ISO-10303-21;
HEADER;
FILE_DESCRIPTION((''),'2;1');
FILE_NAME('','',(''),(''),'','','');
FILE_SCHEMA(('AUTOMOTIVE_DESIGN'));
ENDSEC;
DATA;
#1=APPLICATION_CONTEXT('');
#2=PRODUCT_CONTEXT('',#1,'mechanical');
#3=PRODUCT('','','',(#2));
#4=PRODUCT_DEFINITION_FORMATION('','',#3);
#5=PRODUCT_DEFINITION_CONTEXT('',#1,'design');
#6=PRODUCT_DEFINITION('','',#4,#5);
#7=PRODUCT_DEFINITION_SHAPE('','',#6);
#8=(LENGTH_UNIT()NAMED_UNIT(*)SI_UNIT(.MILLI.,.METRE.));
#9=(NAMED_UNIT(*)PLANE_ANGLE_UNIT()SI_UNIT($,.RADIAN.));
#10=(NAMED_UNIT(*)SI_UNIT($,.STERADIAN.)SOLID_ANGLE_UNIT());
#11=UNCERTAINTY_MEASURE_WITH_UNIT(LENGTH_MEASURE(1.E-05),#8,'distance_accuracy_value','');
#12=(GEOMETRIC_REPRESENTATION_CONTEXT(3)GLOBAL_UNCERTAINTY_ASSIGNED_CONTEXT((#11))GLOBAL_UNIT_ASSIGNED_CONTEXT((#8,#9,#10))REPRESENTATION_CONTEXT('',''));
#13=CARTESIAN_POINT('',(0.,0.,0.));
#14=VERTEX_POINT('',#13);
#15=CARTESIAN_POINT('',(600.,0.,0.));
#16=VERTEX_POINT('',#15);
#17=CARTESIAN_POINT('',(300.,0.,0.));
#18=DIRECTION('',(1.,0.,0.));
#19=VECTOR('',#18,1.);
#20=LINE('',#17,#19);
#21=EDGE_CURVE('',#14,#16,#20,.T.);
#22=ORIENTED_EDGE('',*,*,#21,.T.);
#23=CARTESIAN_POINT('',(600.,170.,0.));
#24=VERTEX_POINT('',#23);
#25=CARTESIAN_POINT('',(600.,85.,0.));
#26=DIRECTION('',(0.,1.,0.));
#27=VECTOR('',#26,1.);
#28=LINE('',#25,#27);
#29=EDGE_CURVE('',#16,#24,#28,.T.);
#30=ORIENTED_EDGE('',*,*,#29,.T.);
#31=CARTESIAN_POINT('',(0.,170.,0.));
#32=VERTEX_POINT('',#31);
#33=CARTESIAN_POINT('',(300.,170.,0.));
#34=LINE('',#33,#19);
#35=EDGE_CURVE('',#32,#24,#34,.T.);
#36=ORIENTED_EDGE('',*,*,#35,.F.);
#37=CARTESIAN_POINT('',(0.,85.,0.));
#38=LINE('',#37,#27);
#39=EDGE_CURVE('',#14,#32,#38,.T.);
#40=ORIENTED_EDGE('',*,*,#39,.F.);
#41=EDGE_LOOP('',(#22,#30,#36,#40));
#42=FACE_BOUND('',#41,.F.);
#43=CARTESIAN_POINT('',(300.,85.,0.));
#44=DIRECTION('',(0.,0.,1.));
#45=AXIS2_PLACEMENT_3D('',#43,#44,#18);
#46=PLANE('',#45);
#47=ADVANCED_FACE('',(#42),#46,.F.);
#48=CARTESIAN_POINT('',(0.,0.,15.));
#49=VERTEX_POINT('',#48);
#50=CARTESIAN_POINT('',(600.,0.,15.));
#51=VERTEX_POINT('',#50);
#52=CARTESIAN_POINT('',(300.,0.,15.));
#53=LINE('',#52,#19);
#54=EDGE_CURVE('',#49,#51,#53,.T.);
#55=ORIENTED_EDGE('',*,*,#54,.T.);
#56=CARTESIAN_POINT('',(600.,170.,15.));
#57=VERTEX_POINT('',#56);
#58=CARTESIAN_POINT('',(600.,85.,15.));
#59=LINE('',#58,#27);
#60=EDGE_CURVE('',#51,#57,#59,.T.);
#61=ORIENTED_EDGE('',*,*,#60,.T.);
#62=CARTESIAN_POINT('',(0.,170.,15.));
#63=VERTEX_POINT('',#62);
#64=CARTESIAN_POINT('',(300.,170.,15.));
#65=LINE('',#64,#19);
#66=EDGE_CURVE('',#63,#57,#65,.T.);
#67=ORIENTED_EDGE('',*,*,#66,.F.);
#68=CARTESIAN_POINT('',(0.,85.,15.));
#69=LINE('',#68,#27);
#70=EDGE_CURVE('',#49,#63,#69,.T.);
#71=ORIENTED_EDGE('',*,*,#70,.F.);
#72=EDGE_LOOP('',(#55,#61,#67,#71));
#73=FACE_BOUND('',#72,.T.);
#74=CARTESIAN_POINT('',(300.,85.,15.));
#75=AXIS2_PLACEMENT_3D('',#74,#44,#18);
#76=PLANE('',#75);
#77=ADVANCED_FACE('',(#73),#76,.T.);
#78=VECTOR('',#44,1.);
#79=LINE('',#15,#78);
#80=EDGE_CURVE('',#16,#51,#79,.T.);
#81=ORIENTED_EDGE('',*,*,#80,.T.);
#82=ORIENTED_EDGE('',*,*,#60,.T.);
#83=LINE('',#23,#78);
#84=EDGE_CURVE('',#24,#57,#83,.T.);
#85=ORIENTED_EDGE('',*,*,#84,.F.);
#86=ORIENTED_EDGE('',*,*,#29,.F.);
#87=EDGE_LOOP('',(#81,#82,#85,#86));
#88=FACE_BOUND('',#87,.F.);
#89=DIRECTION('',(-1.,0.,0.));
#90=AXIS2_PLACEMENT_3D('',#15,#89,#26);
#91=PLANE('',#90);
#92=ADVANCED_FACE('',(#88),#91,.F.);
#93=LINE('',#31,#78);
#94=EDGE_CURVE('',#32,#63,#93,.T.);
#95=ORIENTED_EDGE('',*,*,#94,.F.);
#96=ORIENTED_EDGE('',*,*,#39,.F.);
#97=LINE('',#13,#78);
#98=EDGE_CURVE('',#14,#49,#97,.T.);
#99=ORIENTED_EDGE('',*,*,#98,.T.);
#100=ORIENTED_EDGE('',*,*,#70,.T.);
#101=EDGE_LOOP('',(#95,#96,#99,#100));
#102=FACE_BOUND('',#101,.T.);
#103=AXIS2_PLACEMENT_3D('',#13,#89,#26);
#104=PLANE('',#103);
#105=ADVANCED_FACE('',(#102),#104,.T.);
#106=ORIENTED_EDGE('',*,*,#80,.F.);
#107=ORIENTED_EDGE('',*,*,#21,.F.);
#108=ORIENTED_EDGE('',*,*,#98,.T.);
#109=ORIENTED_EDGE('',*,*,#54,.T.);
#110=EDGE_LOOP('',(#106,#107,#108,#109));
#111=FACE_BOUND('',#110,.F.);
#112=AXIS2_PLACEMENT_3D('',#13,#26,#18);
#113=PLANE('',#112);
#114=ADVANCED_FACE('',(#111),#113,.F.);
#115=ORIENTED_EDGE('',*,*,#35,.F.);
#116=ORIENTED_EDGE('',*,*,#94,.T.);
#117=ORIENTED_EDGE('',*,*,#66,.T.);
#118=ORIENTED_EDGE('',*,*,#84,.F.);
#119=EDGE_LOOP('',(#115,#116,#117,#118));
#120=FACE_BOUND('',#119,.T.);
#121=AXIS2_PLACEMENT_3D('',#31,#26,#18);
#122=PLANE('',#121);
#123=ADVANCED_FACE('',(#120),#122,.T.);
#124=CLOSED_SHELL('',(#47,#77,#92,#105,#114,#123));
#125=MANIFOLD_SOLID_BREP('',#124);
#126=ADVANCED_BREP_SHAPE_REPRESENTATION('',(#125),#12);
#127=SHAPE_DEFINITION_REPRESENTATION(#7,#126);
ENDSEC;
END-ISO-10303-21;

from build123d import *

# Parameters (mm, degrees)
SKETCH_W  = 600
SKETCH_H  = 170
PAD_DEPTH = 15


with BuildPart() as part:
    # Sketch → Pad (new body)
    with BuildSketch(Plane.XY):
        with Locations((300, 85)):
            Rectangle(SKETCH_W, SKETCH_H)
    extrude(amount=PAD_DEPTH)


solid = part.part
